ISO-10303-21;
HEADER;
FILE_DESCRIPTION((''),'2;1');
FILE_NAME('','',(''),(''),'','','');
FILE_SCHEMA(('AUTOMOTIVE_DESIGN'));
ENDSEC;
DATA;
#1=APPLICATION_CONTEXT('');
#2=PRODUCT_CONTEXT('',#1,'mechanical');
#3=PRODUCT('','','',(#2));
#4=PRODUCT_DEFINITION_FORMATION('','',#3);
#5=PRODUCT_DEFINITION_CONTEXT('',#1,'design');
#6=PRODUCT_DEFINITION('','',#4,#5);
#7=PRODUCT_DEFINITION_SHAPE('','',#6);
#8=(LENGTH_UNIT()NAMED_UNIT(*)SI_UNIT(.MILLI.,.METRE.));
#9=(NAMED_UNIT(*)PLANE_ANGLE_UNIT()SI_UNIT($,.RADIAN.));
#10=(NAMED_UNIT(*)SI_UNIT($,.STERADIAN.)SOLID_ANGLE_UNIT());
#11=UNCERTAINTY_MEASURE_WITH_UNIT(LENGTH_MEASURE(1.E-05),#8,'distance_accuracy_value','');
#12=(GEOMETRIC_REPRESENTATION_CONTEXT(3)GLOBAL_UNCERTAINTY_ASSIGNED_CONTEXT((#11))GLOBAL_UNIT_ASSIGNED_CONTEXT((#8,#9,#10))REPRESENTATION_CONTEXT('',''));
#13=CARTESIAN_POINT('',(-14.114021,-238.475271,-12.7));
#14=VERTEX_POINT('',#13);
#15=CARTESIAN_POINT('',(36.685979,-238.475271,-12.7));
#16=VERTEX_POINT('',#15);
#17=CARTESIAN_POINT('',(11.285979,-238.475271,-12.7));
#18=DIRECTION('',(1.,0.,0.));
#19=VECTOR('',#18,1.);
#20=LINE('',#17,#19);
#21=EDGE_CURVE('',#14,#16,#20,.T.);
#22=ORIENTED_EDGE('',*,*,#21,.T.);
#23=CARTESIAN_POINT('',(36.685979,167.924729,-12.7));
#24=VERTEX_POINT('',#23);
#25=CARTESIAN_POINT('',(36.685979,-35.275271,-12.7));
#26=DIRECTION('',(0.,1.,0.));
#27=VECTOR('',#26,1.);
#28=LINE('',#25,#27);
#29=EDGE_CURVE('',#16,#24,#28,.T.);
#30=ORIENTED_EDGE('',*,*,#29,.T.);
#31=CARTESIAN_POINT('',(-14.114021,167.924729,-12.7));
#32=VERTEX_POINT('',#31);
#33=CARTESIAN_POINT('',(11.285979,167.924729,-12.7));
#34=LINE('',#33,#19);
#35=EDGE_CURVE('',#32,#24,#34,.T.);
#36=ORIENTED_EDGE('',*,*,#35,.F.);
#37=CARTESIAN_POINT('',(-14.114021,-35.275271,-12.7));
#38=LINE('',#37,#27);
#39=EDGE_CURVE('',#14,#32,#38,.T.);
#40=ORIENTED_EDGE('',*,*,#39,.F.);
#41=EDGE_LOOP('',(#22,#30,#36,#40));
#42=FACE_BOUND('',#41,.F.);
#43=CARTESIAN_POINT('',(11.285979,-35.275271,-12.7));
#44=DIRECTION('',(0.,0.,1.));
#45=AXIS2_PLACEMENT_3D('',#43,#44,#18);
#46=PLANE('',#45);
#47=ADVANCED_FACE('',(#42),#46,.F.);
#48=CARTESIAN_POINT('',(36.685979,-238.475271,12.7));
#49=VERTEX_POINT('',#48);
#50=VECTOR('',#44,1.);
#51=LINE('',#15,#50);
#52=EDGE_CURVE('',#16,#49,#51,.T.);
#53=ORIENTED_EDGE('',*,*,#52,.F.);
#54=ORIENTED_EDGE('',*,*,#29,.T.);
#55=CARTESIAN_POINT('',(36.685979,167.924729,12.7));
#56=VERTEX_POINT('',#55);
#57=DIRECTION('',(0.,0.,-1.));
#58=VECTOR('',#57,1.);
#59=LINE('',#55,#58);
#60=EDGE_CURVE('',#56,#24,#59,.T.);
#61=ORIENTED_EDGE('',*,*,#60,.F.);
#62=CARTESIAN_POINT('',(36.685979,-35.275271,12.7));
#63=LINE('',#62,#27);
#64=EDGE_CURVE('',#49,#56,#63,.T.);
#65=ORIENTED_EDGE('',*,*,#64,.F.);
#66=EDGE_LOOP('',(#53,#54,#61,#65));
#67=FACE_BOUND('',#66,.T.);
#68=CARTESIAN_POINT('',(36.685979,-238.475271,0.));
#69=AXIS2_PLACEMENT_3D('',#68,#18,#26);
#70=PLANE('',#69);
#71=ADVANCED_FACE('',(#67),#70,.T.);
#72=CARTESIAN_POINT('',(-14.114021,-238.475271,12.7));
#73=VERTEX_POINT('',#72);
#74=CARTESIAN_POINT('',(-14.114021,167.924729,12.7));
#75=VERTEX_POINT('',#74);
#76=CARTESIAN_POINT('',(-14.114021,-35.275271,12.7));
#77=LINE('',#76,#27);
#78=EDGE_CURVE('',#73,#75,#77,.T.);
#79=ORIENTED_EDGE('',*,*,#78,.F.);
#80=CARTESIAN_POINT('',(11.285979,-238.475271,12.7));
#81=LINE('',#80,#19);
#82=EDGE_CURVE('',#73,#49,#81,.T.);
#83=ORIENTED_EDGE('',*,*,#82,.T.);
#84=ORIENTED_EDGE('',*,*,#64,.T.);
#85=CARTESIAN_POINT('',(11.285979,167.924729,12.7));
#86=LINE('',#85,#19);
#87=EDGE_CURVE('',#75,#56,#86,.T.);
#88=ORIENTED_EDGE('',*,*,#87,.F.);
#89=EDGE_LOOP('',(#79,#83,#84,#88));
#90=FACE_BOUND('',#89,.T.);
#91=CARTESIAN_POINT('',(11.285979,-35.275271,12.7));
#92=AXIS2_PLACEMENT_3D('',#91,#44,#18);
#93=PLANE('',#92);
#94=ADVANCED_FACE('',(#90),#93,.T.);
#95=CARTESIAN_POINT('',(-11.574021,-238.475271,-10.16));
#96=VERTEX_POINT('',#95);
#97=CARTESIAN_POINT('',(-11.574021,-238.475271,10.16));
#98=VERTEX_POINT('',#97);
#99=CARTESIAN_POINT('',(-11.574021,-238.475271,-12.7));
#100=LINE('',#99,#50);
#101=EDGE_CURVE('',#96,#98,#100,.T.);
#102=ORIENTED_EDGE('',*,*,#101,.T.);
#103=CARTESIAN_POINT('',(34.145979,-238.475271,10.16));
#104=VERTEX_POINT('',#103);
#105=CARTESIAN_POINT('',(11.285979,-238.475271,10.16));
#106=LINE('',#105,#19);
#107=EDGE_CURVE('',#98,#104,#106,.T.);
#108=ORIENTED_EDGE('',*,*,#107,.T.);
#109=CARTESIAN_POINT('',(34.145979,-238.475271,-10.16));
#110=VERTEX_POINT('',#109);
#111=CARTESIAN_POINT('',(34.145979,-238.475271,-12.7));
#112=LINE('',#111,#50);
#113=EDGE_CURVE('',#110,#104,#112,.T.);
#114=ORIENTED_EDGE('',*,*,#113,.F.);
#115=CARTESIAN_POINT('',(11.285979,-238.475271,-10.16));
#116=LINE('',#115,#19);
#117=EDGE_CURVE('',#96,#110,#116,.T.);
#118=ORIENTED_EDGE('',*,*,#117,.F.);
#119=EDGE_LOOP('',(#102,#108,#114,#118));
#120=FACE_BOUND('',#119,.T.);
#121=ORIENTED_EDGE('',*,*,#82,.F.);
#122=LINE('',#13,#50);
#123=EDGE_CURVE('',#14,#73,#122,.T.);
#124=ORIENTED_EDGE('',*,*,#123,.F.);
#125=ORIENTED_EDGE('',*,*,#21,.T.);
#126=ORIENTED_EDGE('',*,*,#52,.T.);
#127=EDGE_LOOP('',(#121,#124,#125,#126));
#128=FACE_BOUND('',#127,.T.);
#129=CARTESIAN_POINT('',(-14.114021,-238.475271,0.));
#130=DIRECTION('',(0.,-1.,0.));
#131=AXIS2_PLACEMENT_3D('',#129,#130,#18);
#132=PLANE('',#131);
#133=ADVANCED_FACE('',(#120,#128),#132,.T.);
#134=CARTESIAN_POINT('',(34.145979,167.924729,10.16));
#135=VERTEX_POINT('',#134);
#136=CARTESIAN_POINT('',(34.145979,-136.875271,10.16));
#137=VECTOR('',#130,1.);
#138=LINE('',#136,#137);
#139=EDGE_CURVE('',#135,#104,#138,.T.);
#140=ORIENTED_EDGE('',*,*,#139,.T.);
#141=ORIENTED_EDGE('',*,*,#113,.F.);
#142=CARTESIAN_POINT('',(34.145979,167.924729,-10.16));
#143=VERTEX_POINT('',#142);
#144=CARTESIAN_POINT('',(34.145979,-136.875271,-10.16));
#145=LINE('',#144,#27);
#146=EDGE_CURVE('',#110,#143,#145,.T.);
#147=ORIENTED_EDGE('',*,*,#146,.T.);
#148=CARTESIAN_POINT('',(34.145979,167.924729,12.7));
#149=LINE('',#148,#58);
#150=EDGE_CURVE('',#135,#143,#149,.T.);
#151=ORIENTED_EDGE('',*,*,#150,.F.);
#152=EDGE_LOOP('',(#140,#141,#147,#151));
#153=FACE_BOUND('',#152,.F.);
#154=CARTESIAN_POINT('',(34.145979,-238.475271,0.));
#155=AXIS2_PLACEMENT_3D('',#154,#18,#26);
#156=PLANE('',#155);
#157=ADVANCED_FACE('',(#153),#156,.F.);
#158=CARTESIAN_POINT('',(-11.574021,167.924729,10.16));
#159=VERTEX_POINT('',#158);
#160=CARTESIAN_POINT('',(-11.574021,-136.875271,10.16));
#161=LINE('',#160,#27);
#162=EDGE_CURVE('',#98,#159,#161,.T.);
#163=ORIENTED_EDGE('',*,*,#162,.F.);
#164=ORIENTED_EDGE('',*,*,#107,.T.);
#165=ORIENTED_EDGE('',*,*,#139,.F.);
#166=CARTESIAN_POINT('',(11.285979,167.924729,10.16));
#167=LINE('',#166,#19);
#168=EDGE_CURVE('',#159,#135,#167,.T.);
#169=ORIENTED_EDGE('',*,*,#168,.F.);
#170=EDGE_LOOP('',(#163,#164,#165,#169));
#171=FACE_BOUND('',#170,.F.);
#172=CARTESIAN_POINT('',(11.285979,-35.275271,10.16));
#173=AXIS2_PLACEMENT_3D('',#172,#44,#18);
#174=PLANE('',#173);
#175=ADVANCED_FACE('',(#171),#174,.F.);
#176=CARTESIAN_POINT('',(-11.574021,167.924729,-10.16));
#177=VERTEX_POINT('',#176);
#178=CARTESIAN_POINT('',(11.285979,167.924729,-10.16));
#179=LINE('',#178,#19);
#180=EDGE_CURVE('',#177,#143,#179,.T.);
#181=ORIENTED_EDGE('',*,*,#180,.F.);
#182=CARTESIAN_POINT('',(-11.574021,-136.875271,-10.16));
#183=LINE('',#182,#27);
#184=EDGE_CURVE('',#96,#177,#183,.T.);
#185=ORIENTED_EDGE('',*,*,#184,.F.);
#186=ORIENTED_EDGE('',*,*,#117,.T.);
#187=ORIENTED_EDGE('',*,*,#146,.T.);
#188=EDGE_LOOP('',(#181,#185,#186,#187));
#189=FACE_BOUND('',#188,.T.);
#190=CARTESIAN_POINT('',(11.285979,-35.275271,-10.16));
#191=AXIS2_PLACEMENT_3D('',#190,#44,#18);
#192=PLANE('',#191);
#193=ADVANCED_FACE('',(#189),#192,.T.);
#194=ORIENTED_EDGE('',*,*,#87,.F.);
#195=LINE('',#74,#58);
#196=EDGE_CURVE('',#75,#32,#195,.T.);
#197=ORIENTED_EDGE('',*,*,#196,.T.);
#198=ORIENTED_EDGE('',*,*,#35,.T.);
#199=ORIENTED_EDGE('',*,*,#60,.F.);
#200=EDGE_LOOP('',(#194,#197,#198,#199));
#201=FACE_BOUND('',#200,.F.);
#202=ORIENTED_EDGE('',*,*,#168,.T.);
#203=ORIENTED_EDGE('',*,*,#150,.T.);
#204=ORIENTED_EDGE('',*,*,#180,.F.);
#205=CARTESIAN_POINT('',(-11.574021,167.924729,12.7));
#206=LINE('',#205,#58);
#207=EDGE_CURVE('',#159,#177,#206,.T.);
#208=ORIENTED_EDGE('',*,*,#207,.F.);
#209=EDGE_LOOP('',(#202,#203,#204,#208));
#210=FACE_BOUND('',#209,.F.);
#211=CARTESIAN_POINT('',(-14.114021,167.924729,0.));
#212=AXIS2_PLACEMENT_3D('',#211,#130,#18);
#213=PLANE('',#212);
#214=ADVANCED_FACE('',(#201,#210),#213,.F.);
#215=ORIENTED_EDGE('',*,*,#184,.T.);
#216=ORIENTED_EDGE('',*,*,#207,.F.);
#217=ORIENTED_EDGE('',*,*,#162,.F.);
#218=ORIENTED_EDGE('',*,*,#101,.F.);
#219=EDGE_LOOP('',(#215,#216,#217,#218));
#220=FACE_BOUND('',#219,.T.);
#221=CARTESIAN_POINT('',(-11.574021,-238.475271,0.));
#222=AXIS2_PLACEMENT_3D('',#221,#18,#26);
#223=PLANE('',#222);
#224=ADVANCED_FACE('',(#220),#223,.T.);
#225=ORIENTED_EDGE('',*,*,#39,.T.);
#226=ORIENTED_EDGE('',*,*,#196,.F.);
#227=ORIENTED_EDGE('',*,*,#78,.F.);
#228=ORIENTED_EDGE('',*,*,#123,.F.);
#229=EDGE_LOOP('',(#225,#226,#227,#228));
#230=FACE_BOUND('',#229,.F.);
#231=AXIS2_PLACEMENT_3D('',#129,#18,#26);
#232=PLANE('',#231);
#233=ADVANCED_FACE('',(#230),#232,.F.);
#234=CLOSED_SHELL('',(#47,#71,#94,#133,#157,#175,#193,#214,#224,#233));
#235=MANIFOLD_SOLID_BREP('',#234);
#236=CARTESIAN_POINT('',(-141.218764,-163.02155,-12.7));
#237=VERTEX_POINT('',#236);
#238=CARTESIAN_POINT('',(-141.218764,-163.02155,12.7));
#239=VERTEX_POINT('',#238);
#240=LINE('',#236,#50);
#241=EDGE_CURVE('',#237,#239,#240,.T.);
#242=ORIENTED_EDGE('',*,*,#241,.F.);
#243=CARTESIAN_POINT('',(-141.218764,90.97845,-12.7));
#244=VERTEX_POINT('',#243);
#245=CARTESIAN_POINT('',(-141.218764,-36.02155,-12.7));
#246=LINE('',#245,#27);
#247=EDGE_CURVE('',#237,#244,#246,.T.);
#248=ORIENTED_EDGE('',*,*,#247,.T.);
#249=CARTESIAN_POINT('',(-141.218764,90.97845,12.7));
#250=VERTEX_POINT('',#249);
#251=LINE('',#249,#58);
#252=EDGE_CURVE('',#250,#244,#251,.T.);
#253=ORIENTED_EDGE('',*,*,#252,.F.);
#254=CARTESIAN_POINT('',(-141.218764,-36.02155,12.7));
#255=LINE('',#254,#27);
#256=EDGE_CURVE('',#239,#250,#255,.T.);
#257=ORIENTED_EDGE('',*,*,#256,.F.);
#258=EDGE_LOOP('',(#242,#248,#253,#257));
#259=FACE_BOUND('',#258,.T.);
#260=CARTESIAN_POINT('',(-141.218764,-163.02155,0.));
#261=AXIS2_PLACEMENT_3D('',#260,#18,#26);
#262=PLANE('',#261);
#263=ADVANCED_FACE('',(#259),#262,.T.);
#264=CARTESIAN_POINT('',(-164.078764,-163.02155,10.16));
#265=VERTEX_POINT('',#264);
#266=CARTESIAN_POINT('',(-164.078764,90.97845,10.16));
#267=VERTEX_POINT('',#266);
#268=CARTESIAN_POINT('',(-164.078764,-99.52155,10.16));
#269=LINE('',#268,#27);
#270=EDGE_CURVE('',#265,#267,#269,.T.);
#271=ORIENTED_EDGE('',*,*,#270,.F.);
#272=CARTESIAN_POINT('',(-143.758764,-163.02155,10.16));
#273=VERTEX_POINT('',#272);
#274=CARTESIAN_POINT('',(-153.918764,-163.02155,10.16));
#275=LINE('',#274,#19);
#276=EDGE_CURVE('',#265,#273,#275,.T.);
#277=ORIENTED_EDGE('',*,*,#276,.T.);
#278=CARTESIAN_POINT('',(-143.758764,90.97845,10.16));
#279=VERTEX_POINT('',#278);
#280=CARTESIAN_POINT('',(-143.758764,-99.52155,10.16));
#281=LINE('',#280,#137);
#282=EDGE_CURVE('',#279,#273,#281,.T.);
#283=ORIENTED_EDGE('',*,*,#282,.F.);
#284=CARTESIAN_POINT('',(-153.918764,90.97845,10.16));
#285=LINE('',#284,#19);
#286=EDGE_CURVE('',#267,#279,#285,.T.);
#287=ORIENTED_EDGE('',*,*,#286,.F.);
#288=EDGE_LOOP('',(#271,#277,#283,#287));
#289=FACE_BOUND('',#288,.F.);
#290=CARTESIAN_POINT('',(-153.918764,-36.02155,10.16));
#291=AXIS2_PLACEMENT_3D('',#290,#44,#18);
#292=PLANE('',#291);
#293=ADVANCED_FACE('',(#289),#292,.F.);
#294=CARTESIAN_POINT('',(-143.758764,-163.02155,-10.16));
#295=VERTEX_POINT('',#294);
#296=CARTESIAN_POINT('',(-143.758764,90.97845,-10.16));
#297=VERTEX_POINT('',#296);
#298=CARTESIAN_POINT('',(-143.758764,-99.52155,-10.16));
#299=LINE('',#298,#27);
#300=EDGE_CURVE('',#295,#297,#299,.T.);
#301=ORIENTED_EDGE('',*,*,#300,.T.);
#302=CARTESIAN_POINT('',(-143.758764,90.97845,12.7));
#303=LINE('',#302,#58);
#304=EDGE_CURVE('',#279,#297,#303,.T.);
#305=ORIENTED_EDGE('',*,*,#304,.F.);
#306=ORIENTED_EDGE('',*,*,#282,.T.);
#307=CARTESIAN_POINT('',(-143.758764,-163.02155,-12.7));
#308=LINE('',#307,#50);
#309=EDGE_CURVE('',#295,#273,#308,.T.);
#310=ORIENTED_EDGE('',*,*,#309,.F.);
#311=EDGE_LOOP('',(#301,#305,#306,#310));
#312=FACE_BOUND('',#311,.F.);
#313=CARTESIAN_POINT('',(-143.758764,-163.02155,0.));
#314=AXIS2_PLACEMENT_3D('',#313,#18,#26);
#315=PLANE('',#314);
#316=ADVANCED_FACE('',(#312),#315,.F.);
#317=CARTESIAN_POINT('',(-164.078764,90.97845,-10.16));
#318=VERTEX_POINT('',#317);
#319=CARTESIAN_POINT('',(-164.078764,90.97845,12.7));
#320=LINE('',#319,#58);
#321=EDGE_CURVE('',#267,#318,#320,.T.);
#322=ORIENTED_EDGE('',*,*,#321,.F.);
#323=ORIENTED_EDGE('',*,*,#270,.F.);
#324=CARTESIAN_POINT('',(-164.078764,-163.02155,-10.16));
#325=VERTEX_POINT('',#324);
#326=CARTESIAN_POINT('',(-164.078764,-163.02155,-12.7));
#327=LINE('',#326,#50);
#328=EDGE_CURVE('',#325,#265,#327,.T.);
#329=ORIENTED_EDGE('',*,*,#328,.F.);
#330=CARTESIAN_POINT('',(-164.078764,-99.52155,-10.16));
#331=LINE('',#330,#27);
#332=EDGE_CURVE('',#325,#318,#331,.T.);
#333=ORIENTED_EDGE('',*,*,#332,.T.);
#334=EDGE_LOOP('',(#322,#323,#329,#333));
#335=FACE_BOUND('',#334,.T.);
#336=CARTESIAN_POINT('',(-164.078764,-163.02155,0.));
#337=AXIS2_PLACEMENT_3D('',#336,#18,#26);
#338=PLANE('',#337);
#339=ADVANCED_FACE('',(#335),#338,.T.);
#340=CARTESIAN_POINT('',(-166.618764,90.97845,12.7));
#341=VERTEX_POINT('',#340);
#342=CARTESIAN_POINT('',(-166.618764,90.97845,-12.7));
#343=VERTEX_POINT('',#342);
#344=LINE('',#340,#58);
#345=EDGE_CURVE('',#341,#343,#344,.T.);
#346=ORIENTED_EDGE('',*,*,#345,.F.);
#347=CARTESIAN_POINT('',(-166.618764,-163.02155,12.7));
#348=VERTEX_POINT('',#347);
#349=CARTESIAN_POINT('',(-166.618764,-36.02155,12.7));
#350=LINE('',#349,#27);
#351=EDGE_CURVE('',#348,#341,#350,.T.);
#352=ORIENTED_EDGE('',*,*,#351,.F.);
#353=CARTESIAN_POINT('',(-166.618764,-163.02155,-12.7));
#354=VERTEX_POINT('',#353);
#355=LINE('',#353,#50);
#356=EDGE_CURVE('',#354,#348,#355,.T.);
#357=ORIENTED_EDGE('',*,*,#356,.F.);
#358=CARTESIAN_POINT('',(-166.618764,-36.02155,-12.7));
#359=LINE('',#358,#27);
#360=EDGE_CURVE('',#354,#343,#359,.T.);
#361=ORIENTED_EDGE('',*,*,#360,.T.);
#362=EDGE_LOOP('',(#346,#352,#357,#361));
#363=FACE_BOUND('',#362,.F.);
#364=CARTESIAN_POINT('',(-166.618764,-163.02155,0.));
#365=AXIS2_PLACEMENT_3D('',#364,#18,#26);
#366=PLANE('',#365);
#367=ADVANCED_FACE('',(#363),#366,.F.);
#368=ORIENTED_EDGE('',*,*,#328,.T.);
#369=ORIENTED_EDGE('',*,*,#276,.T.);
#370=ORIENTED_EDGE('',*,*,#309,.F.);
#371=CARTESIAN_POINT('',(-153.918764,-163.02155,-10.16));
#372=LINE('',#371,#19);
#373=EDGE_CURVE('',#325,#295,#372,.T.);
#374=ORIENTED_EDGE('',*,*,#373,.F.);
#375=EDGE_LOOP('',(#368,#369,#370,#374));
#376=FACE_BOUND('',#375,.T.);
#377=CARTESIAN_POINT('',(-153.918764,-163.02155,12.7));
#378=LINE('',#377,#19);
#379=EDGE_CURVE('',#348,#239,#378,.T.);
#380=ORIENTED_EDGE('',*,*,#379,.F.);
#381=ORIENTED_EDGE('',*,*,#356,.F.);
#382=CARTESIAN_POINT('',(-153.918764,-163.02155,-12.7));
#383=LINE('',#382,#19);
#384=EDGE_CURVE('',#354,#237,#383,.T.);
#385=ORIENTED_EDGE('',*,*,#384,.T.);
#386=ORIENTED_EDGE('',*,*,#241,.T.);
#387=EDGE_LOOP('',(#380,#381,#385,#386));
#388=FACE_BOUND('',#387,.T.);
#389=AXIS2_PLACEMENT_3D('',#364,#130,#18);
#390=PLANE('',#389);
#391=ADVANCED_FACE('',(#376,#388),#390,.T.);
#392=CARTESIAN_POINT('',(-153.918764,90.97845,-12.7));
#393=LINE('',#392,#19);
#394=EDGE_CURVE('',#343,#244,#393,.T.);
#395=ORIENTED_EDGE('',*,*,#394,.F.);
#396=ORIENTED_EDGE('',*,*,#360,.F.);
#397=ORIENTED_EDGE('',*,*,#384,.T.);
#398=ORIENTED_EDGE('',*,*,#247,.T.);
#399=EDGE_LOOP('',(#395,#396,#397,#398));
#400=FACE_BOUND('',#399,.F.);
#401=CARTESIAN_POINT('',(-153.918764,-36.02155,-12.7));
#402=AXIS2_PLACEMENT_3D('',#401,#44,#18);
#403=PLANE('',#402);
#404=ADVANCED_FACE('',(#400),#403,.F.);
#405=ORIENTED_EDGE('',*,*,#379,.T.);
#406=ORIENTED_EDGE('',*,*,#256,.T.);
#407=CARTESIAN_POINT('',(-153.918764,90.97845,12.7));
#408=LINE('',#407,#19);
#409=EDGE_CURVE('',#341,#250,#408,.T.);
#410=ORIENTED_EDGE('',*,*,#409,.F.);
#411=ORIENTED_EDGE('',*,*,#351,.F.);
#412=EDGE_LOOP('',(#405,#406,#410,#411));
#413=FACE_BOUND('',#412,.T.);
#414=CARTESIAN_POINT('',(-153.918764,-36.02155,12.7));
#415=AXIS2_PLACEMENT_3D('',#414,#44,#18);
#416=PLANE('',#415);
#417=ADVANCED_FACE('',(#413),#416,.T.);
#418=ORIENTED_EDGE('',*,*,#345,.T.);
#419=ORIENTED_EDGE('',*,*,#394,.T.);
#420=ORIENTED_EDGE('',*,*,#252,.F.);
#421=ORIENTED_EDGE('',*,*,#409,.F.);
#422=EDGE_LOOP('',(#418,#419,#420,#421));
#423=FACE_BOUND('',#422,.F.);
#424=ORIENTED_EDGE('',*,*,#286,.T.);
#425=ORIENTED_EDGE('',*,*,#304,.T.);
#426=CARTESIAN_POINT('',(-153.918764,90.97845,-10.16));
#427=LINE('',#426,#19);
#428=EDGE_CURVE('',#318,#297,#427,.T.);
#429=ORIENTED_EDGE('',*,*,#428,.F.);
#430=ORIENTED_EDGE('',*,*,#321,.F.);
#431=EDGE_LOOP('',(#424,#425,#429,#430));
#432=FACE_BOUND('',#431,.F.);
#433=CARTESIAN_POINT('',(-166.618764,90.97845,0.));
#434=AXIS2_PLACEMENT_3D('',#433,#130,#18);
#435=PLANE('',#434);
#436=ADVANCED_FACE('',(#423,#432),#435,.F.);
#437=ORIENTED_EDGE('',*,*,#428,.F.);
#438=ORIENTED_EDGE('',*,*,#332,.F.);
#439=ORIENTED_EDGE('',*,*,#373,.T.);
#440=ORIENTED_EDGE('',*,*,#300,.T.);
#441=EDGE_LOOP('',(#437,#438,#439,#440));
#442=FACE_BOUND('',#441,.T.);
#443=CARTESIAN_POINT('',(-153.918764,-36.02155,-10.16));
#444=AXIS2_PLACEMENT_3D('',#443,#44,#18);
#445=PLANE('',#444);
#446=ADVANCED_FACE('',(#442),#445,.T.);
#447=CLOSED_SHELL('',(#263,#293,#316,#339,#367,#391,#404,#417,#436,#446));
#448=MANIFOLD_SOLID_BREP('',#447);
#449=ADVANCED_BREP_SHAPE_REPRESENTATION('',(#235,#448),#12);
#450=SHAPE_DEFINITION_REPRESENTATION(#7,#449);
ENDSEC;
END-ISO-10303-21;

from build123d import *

# Parameters (mm, degrees)
F0_W     = 50.8
F0_H     = 406.4
F1_DEPTH = 12.7
F2_T     = -2.54
F3_W     = 25.4
F3_H     = 254
F4_DEPTH = 12.7
F5_T     = -2.54


with BuildPart() as f1:
    # F0 (on Top) → F1 (new body, symmetric)
    with BuildSketch(Plane.XY):
        with Locations((11.285979, -35.275271)):
            Rectangle(F0_W, F0_H)
    extrude(amount=F1_DEPTH, both=True)

    # F2
    f2_openings = [f1.faces().sort_by_distance(p)[0] for p in [
        (11.285979, 167.924729, 0),
        (11.285979, -238.475271, 0),
    ]]
    offset(amount=F2_T, openings=f2_openings)


with BuildPart() as f4:
    # F3 (on Top) → F4 (new body, symmetric)
    with BuildSketch(Plane.XY):
        with Locations((-153.918764, -36.02155)):
            Rectangle(F3_W, F3_H)
    extrude(amount=F4_DEPTH, both=True)

    # F5
    f5_openings = [f4.faces().sort_by_distance(p)[0] for p in [
        (-153.918764, 90.97845, 0),
        (-153.918764, -163.02155, 0),
    ]]
    offset(amount=F5_T, openings=f5_openings)


solid = Compound([f1.part, f4.part])
